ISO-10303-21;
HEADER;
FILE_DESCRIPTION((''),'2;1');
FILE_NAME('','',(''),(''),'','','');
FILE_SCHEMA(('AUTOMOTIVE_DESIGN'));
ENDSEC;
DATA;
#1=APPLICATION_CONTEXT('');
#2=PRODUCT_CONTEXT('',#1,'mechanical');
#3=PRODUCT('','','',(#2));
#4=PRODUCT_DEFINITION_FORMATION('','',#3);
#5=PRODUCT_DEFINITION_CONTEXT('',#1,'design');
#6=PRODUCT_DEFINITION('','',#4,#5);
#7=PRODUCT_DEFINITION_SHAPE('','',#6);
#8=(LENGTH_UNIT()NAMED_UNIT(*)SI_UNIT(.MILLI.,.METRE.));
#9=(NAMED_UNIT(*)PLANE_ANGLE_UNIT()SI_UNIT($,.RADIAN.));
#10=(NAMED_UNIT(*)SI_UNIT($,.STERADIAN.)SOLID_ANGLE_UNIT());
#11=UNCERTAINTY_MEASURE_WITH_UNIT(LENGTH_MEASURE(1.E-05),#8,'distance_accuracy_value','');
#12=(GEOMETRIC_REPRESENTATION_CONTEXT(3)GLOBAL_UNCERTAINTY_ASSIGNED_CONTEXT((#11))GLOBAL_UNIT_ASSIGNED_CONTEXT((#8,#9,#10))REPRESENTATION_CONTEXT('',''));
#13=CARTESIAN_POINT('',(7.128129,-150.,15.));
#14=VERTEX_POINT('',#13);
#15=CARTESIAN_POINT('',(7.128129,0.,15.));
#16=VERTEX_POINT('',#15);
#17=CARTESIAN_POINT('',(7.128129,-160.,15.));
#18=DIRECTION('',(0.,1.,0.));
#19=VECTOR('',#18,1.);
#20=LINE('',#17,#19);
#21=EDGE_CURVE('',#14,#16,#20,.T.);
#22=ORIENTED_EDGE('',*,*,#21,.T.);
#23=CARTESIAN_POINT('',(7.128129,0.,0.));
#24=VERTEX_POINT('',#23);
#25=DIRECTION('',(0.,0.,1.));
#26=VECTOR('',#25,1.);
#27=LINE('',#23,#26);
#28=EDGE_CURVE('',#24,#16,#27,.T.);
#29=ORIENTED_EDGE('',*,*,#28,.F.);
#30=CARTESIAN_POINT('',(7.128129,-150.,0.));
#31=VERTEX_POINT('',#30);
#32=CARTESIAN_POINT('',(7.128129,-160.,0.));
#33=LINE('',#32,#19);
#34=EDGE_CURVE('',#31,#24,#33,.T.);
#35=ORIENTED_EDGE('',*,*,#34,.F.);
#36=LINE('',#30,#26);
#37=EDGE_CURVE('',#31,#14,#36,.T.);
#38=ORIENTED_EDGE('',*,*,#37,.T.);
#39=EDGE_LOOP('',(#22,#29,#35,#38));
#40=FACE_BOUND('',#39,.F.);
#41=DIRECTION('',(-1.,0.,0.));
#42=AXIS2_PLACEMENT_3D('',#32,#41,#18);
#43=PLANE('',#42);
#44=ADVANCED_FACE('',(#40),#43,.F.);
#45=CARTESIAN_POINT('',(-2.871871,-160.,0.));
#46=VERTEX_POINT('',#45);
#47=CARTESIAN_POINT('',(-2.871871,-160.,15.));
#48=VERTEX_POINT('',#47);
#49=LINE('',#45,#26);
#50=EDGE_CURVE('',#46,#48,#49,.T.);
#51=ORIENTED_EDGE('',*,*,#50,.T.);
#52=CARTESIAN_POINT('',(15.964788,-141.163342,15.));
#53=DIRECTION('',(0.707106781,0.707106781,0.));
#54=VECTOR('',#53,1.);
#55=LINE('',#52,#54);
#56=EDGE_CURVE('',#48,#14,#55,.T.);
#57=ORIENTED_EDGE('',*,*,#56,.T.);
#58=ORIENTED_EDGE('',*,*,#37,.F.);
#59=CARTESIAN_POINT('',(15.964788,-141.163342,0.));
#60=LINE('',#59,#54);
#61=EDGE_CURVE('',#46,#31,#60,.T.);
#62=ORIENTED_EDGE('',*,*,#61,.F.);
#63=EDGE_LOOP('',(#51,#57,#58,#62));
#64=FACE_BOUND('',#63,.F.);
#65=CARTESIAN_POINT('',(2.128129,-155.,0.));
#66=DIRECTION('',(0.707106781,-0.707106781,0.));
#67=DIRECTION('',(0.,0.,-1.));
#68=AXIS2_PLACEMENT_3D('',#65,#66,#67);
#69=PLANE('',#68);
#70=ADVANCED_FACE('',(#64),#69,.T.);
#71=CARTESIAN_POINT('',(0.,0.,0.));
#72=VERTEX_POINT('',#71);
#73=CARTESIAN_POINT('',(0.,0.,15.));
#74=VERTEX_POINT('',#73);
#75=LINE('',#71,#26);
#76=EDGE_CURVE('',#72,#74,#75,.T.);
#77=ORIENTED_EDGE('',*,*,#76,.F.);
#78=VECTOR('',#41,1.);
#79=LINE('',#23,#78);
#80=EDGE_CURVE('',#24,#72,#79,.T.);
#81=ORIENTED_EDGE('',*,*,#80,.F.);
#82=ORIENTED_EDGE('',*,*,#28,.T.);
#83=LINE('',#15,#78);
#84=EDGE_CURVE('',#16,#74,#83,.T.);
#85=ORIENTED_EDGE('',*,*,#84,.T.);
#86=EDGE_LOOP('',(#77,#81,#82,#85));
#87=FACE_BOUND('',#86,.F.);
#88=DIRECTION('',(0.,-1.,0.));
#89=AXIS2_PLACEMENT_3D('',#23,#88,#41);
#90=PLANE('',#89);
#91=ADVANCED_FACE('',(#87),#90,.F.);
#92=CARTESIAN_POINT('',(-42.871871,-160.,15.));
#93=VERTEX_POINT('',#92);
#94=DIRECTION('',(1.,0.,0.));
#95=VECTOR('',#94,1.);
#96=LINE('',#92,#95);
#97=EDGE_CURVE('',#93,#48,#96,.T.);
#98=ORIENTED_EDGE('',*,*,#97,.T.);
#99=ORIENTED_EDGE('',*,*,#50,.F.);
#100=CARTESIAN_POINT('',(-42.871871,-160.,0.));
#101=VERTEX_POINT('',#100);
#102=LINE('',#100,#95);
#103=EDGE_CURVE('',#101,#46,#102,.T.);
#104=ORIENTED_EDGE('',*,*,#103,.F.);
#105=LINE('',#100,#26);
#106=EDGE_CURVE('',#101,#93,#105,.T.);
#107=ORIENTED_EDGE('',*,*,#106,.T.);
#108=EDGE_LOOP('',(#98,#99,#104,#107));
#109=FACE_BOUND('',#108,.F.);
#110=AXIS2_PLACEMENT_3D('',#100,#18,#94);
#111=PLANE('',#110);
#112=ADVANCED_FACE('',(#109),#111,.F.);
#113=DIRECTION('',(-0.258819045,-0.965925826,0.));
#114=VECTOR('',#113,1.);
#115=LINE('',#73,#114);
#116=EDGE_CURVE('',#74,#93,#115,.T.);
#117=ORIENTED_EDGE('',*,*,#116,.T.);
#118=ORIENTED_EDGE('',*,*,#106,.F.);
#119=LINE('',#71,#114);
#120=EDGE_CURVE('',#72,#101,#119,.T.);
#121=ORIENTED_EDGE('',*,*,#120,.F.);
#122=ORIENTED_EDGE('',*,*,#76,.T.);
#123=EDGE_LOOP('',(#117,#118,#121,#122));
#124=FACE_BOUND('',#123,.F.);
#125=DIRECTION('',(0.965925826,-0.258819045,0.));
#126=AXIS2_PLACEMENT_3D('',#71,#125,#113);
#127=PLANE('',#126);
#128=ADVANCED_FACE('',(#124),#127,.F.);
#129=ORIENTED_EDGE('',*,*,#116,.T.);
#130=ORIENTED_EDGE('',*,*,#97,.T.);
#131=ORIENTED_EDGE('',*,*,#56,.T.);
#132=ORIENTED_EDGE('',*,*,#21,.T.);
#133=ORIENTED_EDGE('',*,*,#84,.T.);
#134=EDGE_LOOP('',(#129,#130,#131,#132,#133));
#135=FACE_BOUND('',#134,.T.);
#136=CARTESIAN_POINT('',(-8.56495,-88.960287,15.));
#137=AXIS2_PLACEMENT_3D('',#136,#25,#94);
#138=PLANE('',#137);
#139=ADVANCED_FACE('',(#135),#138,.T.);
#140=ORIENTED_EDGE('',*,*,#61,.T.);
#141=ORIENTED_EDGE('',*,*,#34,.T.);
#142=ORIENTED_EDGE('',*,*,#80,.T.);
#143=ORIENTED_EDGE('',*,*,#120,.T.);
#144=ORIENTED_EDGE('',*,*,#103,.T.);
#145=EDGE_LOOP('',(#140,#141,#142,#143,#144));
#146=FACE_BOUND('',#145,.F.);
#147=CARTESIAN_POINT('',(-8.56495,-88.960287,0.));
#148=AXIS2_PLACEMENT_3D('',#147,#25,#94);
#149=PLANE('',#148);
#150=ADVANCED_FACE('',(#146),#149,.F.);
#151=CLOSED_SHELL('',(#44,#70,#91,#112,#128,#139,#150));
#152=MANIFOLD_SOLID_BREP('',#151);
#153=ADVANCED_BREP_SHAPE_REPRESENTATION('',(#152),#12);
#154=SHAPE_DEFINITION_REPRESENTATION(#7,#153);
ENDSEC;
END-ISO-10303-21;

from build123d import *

# Parameters (mm, degrees)
BOSS_EXTRUDE1_DEPTH = 15
CHAMFER1_SIZE       = 10


with BuildPart() as part:
    # Sketch1 → Boss-Extrude1 (new body)
    with BuildSketch(Plane.XY):
        Polygon((0, 0), (-42.871870789, -160), (7.128129211, -160), (7.128129211, 0), align=None)
    extrude(amount=BOSS_EXTRUDE1_DEPTH)

    # Chamfer1
    chamfer1_edges = [part.edges().sort_by_distance(p)[0] for p in [
        (7.128129211, -160, 7.5),
    ]]
    chamfer(chamfer1_edges, length=CHAMFER1_SIZE)


solid = part.part
